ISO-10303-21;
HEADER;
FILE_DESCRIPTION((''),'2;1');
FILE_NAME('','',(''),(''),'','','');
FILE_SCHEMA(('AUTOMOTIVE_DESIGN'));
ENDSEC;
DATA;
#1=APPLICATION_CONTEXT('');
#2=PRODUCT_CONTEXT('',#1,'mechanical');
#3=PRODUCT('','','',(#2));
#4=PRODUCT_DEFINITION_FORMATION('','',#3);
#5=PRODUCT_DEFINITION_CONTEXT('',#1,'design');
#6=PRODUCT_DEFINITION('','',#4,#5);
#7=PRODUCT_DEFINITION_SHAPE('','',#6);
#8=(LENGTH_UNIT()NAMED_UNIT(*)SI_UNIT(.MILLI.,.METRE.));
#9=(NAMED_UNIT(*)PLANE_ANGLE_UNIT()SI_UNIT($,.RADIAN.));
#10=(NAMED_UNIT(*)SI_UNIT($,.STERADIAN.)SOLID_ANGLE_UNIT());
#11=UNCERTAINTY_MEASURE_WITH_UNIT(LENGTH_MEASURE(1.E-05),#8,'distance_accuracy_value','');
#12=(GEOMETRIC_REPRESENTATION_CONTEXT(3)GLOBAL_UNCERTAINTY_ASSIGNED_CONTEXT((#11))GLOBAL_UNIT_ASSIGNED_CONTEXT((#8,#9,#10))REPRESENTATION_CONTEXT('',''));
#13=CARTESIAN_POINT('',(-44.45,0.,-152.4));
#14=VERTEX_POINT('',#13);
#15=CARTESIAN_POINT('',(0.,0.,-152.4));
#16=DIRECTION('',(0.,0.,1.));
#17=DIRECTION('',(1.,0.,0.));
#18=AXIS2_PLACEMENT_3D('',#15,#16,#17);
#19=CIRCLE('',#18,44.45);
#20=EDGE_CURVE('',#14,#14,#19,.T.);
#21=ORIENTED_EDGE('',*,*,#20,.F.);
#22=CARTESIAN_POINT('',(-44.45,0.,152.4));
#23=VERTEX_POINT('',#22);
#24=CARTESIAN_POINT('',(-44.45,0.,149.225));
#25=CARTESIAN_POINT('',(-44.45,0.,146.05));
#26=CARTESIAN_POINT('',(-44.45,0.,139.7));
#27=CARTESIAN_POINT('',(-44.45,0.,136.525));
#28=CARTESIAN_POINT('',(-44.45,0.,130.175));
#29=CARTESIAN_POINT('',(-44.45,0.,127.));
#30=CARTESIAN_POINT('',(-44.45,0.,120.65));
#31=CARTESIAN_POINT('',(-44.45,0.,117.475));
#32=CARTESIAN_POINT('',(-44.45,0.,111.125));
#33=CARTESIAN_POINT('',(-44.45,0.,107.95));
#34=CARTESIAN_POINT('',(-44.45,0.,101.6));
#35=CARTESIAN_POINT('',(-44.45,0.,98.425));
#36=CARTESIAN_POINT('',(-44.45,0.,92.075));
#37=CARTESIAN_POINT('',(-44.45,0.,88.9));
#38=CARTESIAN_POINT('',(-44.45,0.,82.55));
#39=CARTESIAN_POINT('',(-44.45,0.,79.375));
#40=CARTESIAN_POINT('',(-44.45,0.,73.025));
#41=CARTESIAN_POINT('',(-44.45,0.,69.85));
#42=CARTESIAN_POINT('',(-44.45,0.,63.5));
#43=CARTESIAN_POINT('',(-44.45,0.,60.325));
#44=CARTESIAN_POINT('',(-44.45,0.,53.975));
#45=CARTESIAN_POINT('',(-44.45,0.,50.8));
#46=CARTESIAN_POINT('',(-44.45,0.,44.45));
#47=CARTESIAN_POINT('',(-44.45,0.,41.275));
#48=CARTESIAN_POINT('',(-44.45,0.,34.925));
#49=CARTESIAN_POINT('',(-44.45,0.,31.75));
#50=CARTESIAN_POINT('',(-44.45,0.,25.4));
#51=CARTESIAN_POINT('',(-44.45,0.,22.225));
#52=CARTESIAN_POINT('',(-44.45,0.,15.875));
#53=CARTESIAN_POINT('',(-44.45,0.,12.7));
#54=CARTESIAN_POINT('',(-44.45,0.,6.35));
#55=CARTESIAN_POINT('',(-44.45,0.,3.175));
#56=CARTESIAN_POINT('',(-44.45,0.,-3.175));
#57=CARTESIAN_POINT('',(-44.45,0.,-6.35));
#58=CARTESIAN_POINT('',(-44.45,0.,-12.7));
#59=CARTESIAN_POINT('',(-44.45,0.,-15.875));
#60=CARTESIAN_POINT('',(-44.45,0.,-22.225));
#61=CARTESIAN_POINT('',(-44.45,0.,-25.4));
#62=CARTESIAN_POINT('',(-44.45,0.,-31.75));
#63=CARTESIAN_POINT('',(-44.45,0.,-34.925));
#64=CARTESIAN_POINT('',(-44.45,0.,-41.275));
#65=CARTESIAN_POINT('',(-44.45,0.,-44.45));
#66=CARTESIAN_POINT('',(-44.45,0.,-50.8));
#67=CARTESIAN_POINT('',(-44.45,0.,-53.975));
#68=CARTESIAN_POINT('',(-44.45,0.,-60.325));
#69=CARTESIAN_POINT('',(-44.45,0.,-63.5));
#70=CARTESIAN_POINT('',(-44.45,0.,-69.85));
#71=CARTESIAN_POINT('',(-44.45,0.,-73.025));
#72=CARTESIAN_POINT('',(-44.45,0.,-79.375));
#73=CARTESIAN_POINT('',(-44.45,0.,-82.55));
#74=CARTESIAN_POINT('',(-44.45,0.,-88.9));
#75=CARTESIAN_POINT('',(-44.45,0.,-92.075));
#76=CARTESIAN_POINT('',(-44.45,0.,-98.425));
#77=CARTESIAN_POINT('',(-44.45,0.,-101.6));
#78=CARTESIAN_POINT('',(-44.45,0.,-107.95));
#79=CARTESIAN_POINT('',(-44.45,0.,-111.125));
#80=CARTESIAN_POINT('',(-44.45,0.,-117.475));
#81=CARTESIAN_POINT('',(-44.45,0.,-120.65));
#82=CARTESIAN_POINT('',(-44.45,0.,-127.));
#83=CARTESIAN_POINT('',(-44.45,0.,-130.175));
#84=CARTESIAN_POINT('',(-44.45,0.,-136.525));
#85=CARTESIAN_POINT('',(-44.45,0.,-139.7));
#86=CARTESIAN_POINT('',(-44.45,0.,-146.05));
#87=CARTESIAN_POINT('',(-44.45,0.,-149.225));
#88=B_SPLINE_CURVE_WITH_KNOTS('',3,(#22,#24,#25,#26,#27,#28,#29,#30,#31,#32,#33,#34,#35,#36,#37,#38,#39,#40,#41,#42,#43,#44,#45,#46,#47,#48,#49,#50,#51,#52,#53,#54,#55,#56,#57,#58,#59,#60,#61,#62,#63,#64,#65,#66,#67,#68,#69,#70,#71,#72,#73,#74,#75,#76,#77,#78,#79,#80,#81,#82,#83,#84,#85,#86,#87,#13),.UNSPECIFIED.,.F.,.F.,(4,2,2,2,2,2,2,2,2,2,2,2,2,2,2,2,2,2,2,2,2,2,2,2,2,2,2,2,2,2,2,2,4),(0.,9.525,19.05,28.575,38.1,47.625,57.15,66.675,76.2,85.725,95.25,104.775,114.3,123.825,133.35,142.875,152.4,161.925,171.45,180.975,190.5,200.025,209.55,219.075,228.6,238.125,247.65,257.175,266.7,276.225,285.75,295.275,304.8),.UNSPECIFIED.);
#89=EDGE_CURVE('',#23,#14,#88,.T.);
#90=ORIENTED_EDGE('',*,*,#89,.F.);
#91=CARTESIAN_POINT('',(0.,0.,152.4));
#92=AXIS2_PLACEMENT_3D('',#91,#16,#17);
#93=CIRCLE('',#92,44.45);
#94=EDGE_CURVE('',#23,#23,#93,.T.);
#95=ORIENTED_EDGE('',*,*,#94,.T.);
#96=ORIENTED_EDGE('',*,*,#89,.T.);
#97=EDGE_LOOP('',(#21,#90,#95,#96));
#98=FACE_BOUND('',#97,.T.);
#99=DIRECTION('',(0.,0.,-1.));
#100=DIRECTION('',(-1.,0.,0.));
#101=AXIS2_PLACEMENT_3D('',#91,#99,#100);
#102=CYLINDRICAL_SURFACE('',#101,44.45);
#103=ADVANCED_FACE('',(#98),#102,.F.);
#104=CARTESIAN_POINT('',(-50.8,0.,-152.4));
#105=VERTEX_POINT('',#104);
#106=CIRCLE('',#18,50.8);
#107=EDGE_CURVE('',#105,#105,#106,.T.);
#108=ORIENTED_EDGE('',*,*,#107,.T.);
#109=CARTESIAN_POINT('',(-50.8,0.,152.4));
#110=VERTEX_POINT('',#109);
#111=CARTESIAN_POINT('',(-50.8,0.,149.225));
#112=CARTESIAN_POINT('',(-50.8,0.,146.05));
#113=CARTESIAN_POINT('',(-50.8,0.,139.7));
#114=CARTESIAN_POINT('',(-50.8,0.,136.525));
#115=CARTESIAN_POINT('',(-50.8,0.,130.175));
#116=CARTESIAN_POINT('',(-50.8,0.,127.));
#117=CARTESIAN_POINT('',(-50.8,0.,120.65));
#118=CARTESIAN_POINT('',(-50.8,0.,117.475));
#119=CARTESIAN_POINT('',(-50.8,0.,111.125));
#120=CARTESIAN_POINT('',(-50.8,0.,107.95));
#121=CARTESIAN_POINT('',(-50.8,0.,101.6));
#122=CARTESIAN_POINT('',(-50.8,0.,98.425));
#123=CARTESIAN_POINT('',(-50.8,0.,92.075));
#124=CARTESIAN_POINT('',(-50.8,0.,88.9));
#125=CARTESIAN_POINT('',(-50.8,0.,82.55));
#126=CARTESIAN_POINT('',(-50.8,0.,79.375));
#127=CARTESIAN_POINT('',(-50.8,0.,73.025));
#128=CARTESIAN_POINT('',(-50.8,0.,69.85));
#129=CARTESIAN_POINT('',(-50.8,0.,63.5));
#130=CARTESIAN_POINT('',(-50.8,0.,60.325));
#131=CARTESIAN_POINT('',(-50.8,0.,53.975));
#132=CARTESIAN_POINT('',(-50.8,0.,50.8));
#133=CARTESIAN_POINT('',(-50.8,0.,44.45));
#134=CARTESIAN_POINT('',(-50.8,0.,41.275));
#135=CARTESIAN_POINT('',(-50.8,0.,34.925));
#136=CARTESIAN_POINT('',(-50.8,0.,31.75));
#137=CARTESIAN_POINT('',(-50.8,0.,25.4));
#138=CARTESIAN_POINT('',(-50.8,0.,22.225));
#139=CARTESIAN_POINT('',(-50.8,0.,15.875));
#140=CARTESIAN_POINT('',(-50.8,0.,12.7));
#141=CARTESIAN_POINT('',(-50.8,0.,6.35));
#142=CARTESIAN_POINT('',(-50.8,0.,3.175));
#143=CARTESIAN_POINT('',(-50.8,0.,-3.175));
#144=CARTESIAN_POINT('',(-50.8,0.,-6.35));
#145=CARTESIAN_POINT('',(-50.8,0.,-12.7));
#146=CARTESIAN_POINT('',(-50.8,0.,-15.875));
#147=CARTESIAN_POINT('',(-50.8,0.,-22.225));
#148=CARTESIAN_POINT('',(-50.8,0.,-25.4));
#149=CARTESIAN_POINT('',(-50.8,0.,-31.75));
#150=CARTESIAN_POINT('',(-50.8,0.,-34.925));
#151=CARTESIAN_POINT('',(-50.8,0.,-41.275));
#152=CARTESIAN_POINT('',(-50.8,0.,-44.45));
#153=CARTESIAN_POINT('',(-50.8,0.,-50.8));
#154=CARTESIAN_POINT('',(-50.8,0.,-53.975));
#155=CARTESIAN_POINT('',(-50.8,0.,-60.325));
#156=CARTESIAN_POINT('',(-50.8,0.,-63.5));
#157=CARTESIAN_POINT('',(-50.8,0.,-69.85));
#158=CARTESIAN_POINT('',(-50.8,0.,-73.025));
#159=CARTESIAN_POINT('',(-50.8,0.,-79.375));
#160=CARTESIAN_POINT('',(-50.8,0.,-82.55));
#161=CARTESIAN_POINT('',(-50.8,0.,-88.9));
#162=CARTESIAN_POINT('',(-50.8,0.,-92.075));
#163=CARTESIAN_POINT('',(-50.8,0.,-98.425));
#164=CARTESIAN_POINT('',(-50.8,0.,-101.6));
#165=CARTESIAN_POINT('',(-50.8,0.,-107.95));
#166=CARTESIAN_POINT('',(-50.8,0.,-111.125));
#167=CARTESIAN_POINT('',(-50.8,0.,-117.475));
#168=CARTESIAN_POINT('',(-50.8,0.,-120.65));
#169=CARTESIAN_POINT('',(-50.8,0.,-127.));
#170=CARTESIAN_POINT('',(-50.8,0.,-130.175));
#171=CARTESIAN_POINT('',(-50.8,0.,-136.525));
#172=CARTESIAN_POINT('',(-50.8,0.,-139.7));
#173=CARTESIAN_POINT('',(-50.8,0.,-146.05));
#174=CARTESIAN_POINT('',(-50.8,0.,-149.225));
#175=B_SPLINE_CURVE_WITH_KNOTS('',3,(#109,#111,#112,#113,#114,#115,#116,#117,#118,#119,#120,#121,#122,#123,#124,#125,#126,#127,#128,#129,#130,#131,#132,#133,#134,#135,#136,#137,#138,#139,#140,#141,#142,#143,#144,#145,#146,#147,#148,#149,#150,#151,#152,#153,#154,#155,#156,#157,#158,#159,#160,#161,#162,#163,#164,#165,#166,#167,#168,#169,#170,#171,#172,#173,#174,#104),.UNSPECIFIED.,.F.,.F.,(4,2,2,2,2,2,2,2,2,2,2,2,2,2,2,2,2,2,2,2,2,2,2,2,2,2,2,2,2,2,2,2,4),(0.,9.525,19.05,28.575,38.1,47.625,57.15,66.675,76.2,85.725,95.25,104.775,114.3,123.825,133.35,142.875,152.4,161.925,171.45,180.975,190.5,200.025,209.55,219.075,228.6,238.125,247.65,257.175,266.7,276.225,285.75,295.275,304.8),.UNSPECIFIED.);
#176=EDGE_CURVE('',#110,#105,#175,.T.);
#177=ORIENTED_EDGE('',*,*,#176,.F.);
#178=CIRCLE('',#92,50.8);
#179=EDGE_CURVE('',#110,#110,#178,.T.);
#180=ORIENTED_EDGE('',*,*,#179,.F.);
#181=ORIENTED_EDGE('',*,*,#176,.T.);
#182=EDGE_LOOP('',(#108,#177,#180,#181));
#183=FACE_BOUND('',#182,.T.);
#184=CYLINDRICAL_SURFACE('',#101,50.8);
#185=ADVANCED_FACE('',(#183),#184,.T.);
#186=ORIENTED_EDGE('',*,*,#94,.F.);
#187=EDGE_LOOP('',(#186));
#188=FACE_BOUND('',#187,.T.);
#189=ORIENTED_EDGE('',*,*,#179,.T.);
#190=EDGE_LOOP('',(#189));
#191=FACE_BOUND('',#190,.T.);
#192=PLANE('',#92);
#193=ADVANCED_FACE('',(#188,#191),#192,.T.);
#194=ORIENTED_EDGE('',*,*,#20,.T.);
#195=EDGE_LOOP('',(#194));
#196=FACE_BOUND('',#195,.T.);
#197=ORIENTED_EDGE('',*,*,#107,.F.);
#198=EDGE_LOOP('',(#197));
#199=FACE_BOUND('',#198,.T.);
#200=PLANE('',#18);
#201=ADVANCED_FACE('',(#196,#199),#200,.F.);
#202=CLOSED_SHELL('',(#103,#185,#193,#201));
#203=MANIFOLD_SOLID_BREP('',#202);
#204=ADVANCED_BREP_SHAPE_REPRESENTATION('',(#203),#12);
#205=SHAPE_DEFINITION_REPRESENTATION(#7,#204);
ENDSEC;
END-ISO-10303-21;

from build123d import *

# Parameters (mm, degrees)
SKETCH3_R           = 50.8
SKETCH3_R_2         = 44.45
BOSS_EXTRUDE1_DEPTH = 152.4


with BuildPart() as part:
    # Sketch3 → Boss-Extrude1 (new, symmetric)
    with BuildSketch(Plane.XY):
        with Locations(Location((0, 0, 0), (0, 0, 180))):
            Circle(SKETCH3_R)
        with Locations(Location((0, 0, 0), (0, 0, 180))):
            Circle(SKETCH3_R_2, mode=Mode.SUBTRACT)
    extrude(amount=BOSS_EXTRUDE1_DEPTH, both=True)


solid = part.part
